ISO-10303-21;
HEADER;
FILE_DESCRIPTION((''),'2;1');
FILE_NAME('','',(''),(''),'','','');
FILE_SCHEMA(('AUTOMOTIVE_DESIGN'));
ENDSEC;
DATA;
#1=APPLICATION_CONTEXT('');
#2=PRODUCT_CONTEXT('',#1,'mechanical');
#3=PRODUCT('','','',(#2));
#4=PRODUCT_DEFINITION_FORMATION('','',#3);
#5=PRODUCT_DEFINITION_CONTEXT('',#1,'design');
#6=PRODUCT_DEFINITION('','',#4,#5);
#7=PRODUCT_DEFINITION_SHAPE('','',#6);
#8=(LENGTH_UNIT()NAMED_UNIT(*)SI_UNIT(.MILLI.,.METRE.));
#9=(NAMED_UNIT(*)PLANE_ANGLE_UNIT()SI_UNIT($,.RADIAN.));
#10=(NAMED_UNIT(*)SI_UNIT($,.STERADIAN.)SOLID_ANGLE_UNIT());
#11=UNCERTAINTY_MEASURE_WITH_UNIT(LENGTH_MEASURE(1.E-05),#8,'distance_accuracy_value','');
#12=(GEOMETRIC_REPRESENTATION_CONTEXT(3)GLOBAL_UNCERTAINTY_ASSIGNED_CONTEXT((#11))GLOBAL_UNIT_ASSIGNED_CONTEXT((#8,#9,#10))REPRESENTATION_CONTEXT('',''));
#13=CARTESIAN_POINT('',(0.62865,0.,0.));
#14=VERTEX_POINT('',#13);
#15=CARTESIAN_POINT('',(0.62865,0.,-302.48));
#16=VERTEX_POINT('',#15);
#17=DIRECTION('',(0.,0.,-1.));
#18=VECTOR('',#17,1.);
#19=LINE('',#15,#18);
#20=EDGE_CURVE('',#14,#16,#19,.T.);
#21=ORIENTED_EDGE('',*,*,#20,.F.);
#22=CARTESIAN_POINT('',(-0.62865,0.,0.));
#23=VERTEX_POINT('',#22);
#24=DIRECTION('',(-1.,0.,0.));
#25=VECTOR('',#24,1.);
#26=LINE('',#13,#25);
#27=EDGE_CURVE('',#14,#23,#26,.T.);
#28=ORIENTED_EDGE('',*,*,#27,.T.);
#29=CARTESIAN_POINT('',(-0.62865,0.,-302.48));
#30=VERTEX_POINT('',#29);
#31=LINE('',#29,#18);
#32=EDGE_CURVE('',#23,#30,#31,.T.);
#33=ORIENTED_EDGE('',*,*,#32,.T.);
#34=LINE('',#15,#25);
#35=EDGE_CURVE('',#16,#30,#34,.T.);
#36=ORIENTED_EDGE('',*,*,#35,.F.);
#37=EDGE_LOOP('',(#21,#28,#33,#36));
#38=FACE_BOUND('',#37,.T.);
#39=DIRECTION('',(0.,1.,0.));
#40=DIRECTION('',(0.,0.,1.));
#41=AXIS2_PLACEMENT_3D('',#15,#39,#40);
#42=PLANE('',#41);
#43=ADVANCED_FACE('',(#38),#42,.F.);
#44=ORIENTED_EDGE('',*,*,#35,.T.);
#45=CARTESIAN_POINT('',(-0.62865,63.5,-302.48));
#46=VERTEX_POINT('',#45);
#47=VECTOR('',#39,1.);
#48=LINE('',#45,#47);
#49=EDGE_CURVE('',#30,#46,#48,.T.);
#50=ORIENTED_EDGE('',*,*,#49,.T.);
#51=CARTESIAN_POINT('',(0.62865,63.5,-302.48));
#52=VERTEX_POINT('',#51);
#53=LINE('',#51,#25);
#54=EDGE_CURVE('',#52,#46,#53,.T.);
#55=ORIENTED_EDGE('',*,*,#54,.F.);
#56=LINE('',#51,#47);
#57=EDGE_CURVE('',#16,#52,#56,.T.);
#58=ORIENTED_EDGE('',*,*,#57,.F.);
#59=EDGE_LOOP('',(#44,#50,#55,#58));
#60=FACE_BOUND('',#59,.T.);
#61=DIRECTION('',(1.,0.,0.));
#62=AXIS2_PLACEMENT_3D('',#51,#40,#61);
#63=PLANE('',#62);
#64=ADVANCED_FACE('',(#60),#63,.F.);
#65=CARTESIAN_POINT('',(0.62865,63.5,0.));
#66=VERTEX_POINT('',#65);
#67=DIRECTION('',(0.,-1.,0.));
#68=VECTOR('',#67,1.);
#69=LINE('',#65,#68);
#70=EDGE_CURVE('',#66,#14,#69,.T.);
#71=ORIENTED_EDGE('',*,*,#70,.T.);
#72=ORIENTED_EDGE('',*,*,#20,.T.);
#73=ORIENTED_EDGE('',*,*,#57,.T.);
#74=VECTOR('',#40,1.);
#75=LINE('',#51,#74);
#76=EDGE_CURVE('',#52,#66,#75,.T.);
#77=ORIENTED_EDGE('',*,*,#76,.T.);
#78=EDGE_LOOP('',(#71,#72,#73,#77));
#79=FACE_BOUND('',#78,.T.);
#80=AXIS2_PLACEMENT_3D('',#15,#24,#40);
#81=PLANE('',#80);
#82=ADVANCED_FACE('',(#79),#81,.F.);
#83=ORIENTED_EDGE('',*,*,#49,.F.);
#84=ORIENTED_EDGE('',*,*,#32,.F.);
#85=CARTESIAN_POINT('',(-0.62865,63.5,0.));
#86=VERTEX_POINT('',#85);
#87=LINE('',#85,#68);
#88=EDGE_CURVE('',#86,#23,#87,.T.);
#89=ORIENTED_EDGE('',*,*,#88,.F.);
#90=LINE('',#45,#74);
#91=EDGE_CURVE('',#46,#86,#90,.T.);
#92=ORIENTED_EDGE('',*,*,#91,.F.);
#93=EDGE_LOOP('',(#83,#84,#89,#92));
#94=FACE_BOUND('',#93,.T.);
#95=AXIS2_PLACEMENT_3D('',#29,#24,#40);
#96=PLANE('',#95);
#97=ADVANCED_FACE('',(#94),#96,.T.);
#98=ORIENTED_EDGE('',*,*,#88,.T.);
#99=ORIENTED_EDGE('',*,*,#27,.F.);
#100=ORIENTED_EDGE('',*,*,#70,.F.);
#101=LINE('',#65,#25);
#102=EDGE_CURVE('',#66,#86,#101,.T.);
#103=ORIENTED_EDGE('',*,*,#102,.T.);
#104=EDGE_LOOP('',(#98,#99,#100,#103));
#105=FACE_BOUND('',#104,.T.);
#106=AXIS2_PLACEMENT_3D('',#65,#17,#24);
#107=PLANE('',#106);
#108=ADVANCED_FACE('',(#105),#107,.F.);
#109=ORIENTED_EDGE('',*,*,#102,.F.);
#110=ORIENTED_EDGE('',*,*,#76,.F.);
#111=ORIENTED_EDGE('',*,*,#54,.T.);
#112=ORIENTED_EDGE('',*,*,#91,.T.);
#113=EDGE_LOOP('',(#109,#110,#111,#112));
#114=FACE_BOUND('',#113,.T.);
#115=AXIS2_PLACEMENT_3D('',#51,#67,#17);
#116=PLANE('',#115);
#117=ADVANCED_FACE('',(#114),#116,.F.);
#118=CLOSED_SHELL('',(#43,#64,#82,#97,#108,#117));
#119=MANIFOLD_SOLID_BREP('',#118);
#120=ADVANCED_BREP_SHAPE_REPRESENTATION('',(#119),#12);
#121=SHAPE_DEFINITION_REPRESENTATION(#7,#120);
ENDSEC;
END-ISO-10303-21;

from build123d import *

# Parameters (mm, degrees)
SKETCH1_W           = 302.480000068
SKETCH1_H           = 63.5
BOSS_EXTRUDE1_DEPTH = 0.62865


with BuildPart() as part:
    # Sketch1 → Boss-Extrude1 (new body, symmetric)
    with BuildSketch(Plane(origin=(0, 0, 0), x_dir=(0, 0, -1), z_dir=(1, 0, 0))):
        with Locations((151.240000034, 31.75)):
            Rectangle(SKETCH1_W, SKETCH1_H)
    extrude(amount=BOSS_EXTRUDE1_DEPTH, both=True)


solid = part.part
